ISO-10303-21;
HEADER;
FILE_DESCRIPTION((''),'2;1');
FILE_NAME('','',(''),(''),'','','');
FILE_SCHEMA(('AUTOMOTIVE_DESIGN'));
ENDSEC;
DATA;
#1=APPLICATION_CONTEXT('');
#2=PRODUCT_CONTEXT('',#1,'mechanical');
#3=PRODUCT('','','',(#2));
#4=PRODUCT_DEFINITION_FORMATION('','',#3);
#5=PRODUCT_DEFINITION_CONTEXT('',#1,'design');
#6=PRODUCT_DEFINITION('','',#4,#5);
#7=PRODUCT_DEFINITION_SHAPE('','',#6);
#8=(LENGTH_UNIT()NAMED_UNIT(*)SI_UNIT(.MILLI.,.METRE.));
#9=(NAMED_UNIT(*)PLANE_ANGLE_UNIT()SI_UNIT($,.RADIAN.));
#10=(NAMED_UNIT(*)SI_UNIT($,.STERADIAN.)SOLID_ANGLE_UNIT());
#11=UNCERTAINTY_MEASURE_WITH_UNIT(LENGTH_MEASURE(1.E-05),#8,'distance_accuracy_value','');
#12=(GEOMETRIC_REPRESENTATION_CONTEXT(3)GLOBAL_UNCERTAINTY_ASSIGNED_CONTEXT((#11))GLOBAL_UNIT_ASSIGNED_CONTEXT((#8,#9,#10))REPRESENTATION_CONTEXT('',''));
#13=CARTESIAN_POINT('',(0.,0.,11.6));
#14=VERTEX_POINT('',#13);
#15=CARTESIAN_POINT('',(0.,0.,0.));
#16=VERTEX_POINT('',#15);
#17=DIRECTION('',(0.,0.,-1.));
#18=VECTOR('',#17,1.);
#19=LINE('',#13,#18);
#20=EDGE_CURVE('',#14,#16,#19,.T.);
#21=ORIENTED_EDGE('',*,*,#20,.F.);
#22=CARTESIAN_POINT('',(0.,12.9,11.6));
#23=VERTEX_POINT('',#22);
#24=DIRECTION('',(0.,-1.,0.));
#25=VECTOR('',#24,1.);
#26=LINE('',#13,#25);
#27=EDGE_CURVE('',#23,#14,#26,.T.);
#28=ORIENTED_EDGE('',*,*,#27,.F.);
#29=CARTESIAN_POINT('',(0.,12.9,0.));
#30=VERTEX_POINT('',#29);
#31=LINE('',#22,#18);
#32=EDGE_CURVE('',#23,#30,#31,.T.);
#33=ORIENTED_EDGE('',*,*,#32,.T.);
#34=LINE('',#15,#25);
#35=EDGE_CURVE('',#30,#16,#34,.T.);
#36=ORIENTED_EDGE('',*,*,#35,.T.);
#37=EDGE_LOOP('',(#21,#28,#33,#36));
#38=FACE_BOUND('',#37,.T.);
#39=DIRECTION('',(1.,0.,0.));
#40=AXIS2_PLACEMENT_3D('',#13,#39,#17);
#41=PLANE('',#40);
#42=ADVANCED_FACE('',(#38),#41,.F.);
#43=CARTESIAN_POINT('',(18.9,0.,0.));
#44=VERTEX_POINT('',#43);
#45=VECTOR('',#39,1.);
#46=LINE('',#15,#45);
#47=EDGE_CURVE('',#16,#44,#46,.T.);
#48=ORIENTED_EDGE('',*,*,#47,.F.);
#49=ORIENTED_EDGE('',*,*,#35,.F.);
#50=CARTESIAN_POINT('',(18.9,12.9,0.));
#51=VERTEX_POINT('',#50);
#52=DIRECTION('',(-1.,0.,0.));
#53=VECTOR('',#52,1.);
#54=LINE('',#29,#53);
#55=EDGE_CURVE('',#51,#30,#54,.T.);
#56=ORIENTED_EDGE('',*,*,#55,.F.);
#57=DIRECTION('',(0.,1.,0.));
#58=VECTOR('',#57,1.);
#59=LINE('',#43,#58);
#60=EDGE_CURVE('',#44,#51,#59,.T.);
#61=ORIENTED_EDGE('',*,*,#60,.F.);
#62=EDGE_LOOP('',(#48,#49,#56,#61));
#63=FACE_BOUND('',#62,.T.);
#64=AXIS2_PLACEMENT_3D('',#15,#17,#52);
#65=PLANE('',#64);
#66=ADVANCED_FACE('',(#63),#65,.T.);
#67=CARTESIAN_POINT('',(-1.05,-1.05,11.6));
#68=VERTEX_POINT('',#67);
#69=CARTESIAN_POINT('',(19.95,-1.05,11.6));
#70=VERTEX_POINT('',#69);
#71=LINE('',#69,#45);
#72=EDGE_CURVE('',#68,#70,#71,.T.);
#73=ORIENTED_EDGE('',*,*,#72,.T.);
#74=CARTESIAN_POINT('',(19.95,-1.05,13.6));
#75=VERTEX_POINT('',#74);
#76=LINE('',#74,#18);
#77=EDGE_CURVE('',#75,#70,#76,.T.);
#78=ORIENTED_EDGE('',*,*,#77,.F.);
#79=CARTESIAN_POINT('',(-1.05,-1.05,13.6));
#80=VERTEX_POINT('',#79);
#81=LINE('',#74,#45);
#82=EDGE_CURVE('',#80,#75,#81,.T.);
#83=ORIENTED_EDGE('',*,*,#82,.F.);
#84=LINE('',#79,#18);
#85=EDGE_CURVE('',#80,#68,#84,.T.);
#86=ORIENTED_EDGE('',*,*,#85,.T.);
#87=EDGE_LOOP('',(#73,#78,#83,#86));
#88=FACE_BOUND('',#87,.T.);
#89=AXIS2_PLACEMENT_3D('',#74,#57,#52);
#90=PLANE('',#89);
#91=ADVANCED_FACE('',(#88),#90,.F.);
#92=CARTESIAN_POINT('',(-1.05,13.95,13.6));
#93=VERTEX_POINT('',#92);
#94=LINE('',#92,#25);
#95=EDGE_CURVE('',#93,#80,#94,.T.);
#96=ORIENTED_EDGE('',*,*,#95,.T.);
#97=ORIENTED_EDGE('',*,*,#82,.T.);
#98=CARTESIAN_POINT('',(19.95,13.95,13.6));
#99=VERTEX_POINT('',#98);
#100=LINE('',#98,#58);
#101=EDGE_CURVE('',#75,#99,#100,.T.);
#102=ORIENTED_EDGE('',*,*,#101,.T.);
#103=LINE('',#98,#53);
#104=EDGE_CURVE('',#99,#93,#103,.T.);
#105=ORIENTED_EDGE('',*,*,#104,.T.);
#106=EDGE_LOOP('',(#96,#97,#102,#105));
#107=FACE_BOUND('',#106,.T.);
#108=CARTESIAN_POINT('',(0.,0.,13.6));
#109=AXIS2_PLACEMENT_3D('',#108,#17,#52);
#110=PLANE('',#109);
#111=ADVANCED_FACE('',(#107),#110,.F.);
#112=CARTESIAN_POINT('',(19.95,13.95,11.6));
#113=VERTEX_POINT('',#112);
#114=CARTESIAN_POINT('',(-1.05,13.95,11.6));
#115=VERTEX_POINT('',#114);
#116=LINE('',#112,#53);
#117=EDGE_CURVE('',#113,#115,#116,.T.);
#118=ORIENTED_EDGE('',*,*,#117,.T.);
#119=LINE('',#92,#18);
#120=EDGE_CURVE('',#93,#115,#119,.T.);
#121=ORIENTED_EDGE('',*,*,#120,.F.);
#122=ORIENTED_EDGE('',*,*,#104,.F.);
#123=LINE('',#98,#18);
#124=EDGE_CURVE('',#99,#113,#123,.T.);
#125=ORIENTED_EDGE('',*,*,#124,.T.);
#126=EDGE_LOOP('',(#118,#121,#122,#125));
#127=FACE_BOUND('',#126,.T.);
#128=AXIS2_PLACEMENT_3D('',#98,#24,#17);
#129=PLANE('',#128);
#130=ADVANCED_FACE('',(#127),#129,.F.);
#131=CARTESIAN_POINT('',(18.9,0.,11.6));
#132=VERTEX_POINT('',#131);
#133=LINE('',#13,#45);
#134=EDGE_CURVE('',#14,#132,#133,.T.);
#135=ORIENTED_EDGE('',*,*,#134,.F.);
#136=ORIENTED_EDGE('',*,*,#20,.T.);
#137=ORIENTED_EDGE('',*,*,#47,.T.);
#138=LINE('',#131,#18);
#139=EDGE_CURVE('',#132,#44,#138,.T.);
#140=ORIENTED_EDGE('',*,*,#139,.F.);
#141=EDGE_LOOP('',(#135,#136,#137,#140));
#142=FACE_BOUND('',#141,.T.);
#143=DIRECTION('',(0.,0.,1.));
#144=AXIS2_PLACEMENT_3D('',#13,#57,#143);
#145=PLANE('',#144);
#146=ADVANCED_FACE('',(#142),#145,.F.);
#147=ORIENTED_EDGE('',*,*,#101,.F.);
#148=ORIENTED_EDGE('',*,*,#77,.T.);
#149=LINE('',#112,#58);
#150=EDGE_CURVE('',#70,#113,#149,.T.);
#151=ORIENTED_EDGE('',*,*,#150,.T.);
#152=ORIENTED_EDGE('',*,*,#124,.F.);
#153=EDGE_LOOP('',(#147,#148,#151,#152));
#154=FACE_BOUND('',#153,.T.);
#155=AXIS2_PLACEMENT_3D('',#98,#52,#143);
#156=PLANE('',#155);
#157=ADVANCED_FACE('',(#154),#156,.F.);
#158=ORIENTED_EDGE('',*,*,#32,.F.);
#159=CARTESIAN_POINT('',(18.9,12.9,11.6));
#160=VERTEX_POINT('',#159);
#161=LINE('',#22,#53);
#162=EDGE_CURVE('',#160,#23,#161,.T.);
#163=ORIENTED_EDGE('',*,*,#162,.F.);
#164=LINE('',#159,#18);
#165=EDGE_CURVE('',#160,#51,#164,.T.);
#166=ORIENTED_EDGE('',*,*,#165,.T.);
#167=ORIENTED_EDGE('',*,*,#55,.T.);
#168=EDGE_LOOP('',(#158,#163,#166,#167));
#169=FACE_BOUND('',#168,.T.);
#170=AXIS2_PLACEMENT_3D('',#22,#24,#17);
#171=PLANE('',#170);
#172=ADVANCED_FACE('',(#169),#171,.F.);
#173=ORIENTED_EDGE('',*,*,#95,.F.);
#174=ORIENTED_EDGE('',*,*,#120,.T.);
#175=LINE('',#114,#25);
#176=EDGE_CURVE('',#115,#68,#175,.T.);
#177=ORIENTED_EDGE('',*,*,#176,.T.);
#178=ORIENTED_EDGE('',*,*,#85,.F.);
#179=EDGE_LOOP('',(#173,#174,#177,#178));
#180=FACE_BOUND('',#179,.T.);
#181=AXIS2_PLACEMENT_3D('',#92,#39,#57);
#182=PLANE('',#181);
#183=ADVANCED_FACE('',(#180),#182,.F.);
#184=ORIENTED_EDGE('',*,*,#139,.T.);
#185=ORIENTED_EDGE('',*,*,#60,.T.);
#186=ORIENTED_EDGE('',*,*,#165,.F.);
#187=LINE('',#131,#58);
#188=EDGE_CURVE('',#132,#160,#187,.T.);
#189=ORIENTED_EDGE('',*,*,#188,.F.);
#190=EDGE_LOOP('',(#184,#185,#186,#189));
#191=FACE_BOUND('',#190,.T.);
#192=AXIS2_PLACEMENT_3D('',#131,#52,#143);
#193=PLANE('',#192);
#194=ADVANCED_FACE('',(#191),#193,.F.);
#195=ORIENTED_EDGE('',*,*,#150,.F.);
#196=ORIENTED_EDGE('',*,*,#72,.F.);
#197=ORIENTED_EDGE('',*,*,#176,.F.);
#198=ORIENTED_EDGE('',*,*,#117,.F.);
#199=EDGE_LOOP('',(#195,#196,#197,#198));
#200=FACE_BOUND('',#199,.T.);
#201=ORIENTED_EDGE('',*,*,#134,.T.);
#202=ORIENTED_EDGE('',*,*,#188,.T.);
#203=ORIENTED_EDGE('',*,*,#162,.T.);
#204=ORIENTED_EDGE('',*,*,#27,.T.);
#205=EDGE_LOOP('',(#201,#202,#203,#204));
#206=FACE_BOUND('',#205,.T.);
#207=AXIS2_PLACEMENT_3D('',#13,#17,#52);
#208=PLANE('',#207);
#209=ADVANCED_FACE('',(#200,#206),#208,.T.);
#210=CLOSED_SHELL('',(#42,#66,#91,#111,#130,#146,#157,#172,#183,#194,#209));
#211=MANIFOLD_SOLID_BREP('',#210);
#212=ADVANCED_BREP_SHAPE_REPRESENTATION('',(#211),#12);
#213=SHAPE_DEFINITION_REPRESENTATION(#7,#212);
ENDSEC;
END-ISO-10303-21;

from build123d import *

# Parameters (mm, degrees)
SKETCH1_W           = 18.9
SKETCH1_H           = 12.9
BOSS_EXTRUDE1_DEPTH = 11.6
SKETCH2_W           = 21
SKETCH2_H           = 15
BOSS_EXTRUDE2_DEPTH = 2


with BuildPart() as part:
    # Sketch1 → Boss-Extrude1 (new body)
    with BuildSketch(Plane.XY):
        with Locations((9.45, 6.45)):
            Rectangle(SKETCH1_W, SKETCH1_H)
    extrude(amount=BOSS_EXTRUDE1_DEPTH)

    # Sketch2 → Boss-Extrude2 (add)
    with BuildSketch(Plane.XY.offset(11.6)):
        with Locations((9.45, 6.45)):
            Rectangle(SKETCH2_W, SKETCH2_H)
    extrude(amount=BOSS_EXTRUDE2_DEPTH)


solid = part.part
